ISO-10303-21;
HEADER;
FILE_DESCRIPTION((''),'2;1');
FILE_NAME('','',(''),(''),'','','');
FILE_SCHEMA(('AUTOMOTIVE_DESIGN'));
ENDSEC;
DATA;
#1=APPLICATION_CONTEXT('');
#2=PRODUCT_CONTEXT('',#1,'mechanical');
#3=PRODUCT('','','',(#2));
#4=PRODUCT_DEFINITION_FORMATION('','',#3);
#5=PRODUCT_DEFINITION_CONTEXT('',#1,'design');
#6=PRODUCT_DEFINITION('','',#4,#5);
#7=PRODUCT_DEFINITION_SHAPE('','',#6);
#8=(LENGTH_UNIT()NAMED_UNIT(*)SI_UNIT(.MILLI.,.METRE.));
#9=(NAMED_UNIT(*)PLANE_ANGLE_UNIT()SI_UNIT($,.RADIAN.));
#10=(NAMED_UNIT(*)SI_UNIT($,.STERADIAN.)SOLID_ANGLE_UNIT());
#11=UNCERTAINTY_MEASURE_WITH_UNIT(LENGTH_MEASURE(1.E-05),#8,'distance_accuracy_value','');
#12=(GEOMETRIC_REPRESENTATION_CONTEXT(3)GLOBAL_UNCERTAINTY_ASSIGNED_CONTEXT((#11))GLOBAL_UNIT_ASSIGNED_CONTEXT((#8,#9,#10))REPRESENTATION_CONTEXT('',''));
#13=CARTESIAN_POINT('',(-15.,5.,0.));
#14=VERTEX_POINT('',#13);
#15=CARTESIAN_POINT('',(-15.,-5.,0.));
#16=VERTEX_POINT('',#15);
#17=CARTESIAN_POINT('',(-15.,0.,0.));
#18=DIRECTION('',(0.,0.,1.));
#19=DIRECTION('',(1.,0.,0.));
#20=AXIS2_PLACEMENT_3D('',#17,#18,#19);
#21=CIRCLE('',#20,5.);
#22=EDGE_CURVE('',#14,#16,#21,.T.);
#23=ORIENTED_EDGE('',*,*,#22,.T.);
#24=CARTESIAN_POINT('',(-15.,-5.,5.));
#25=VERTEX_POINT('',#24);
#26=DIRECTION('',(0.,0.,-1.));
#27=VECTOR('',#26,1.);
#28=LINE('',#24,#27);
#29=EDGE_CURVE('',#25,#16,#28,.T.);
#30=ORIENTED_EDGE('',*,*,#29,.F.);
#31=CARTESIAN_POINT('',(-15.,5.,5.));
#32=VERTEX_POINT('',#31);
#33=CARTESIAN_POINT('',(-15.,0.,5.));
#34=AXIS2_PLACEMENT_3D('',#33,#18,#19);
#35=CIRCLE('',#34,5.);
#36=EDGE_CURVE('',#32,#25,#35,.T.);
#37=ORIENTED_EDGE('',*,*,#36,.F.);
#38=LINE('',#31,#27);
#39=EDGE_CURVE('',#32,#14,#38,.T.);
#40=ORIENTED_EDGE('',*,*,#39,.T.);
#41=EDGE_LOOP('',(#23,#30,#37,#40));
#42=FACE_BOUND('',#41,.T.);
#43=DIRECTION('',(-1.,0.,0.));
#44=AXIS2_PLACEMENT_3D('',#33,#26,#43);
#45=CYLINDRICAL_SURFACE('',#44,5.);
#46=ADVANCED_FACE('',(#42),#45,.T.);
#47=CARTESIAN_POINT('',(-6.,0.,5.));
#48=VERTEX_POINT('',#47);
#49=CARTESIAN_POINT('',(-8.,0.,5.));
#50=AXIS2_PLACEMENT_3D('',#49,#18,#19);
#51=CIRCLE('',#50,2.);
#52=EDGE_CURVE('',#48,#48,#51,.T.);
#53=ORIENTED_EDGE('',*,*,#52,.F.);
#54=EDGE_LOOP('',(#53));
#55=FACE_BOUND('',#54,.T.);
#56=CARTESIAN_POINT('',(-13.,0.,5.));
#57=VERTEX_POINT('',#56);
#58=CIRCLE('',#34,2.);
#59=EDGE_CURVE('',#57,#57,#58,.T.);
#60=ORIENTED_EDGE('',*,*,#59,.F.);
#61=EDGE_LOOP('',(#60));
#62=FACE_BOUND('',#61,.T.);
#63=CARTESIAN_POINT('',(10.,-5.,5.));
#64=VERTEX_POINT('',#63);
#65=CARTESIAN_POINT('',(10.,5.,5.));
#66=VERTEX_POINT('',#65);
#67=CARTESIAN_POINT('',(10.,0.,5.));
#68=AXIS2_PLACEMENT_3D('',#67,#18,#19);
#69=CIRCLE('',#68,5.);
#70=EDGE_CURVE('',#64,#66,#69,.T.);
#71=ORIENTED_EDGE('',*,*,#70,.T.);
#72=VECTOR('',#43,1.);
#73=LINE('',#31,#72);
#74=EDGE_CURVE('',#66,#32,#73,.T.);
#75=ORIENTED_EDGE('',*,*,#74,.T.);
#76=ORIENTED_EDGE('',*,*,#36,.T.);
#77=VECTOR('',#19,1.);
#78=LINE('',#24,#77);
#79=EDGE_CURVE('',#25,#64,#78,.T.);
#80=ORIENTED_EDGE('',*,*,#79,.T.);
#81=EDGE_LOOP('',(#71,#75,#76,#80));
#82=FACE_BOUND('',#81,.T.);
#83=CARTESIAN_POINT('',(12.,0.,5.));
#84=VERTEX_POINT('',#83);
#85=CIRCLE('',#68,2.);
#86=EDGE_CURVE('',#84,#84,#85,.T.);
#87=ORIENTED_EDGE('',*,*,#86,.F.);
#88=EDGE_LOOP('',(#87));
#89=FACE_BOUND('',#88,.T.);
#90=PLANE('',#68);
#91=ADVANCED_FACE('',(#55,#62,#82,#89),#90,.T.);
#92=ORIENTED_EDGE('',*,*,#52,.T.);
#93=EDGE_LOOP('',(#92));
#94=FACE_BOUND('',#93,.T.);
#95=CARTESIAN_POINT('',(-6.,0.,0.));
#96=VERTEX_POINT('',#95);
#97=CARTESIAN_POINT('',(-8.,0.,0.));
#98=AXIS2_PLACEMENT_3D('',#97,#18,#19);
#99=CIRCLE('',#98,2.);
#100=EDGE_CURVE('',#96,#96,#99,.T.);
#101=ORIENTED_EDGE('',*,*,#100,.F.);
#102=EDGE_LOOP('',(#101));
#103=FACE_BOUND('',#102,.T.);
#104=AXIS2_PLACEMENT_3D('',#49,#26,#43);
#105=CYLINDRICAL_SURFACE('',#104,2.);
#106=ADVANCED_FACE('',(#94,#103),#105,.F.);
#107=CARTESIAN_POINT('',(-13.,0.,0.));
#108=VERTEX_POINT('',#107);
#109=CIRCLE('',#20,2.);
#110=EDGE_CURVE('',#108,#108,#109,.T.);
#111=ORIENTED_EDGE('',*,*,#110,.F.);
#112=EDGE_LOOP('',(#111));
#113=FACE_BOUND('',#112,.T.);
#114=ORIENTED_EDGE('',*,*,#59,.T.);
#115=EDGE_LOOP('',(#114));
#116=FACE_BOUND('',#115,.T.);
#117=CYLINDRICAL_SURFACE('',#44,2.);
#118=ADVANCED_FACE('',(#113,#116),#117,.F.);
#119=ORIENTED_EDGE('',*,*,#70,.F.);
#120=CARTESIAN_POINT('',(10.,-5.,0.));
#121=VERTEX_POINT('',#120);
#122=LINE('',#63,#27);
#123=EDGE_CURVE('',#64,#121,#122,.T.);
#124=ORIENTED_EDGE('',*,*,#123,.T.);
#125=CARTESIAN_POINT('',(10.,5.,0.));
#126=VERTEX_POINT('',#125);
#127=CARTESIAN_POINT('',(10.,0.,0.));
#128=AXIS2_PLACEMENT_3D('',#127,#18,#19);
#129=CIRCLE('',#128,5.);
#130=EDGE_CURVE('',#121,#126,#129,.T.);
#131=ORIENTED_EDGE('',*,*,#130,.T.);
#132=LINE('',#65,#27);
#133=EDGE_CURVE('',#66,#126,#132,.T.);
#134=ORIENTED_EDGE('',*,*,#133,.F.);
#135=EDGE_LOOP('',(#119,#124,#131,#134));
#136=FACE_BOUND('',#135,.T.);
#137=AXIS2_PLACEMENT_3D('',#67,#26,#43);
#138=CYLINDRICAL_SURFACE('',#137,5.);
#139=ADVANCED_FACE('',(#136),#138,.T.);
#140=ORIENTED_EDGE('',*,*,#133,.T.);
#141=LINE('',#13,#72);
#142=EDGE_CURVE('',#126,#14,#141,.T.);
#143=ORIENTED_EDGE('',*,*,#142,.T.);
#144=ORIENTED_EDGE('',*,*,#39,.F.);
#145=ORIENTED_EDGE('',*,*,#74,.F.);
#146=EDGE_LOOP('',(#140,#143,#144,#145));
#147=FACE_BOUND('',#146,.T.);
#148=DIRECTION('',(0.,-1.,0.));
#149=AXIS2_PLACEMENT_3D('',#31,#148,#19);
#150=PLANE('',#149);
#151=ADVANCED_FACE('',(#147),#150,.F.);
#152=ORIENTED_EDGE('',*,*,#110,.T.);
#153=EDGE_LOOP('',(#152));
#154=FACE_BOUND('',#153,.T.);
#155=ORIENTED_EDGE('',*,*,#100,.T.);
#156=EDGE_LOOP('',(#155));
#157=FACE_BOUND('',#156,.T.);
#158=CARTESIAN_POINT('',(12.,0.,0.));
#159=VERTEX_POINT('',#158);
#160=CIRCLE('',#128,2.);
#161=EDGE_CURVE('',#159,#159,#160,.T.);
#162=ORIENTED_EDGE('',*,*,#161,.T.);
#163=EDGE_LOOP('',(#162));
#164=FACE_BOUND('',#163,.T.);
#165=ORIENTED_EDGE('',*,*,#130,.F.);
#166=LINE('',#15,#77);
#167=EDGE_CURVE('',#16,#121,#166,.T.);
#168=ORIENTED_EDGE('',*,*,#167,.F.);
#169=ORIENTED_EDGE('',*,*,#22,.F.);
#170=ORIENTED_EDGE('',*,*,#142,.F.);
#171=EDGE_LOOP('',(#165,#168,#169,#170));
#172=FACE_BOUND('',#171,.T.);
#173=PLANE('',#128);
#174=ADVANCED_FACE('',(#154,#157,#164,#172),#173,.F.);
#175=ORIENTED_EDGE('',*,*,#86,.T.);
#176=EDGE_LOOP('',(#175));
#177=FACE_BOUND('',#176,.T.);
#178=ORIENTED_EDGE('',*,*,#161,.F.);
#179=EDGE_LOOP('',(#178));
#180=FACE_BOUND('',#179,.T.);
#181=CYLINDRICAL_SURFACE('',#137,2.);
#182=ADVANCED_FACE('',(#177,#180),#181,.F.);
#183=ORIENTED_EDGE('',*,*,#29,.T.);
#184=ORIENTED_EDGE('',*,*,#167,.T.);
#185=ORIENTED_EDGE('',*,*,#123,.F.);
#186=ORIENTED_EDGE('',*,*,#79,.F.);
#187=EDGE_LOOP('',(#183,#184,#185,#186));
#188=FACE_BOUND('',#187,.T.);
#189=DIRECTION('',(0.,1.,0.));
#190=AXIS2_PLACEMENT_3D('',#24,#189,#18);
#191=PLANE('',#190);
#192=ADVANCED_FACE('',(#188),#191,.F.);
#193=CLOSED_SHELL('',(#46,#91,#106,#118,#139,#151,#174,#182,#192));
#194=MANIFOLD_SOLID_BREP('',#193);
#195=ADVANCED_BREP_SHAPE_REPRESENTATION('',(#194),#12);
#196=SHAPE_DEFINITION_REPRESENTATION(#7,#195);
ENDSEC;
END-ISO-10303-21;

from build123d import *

# Parameters (mm, degrees)
SKETCH1_R           = 2
BOSS_EXTRUDE2_DEPTH = 5


with BuildPart() as part:
    # Sketch1 → Boss-Extrude2 (new body)
    with BuildSketch(Plane.XY):
        with BuildLine():
            Line((-15, 5), (10, 5))
            ThreePointArc((10, 5), (15, 0), (10, -5))
            Line((10, -5), (-15, -5))
            ThreePointArc((-15, -5), (-20, 0), (-15, 5))
        make_face()
        with Locations((10, 0)):
            Circle(SKETCH1_R, mode=Mode.SUBTRACT)
        with Locations((-15, 0)):
            Circle(SKETCH1_R, mode=Mode.SUBTRACT)
        with Locations((-8, 0)):
            Circle(SKETCH1_R, mode=Mode.SUBTRACT)
    extrude(amount=BOSS_EXTRUDE2_DEPTH)


solid = part.part
